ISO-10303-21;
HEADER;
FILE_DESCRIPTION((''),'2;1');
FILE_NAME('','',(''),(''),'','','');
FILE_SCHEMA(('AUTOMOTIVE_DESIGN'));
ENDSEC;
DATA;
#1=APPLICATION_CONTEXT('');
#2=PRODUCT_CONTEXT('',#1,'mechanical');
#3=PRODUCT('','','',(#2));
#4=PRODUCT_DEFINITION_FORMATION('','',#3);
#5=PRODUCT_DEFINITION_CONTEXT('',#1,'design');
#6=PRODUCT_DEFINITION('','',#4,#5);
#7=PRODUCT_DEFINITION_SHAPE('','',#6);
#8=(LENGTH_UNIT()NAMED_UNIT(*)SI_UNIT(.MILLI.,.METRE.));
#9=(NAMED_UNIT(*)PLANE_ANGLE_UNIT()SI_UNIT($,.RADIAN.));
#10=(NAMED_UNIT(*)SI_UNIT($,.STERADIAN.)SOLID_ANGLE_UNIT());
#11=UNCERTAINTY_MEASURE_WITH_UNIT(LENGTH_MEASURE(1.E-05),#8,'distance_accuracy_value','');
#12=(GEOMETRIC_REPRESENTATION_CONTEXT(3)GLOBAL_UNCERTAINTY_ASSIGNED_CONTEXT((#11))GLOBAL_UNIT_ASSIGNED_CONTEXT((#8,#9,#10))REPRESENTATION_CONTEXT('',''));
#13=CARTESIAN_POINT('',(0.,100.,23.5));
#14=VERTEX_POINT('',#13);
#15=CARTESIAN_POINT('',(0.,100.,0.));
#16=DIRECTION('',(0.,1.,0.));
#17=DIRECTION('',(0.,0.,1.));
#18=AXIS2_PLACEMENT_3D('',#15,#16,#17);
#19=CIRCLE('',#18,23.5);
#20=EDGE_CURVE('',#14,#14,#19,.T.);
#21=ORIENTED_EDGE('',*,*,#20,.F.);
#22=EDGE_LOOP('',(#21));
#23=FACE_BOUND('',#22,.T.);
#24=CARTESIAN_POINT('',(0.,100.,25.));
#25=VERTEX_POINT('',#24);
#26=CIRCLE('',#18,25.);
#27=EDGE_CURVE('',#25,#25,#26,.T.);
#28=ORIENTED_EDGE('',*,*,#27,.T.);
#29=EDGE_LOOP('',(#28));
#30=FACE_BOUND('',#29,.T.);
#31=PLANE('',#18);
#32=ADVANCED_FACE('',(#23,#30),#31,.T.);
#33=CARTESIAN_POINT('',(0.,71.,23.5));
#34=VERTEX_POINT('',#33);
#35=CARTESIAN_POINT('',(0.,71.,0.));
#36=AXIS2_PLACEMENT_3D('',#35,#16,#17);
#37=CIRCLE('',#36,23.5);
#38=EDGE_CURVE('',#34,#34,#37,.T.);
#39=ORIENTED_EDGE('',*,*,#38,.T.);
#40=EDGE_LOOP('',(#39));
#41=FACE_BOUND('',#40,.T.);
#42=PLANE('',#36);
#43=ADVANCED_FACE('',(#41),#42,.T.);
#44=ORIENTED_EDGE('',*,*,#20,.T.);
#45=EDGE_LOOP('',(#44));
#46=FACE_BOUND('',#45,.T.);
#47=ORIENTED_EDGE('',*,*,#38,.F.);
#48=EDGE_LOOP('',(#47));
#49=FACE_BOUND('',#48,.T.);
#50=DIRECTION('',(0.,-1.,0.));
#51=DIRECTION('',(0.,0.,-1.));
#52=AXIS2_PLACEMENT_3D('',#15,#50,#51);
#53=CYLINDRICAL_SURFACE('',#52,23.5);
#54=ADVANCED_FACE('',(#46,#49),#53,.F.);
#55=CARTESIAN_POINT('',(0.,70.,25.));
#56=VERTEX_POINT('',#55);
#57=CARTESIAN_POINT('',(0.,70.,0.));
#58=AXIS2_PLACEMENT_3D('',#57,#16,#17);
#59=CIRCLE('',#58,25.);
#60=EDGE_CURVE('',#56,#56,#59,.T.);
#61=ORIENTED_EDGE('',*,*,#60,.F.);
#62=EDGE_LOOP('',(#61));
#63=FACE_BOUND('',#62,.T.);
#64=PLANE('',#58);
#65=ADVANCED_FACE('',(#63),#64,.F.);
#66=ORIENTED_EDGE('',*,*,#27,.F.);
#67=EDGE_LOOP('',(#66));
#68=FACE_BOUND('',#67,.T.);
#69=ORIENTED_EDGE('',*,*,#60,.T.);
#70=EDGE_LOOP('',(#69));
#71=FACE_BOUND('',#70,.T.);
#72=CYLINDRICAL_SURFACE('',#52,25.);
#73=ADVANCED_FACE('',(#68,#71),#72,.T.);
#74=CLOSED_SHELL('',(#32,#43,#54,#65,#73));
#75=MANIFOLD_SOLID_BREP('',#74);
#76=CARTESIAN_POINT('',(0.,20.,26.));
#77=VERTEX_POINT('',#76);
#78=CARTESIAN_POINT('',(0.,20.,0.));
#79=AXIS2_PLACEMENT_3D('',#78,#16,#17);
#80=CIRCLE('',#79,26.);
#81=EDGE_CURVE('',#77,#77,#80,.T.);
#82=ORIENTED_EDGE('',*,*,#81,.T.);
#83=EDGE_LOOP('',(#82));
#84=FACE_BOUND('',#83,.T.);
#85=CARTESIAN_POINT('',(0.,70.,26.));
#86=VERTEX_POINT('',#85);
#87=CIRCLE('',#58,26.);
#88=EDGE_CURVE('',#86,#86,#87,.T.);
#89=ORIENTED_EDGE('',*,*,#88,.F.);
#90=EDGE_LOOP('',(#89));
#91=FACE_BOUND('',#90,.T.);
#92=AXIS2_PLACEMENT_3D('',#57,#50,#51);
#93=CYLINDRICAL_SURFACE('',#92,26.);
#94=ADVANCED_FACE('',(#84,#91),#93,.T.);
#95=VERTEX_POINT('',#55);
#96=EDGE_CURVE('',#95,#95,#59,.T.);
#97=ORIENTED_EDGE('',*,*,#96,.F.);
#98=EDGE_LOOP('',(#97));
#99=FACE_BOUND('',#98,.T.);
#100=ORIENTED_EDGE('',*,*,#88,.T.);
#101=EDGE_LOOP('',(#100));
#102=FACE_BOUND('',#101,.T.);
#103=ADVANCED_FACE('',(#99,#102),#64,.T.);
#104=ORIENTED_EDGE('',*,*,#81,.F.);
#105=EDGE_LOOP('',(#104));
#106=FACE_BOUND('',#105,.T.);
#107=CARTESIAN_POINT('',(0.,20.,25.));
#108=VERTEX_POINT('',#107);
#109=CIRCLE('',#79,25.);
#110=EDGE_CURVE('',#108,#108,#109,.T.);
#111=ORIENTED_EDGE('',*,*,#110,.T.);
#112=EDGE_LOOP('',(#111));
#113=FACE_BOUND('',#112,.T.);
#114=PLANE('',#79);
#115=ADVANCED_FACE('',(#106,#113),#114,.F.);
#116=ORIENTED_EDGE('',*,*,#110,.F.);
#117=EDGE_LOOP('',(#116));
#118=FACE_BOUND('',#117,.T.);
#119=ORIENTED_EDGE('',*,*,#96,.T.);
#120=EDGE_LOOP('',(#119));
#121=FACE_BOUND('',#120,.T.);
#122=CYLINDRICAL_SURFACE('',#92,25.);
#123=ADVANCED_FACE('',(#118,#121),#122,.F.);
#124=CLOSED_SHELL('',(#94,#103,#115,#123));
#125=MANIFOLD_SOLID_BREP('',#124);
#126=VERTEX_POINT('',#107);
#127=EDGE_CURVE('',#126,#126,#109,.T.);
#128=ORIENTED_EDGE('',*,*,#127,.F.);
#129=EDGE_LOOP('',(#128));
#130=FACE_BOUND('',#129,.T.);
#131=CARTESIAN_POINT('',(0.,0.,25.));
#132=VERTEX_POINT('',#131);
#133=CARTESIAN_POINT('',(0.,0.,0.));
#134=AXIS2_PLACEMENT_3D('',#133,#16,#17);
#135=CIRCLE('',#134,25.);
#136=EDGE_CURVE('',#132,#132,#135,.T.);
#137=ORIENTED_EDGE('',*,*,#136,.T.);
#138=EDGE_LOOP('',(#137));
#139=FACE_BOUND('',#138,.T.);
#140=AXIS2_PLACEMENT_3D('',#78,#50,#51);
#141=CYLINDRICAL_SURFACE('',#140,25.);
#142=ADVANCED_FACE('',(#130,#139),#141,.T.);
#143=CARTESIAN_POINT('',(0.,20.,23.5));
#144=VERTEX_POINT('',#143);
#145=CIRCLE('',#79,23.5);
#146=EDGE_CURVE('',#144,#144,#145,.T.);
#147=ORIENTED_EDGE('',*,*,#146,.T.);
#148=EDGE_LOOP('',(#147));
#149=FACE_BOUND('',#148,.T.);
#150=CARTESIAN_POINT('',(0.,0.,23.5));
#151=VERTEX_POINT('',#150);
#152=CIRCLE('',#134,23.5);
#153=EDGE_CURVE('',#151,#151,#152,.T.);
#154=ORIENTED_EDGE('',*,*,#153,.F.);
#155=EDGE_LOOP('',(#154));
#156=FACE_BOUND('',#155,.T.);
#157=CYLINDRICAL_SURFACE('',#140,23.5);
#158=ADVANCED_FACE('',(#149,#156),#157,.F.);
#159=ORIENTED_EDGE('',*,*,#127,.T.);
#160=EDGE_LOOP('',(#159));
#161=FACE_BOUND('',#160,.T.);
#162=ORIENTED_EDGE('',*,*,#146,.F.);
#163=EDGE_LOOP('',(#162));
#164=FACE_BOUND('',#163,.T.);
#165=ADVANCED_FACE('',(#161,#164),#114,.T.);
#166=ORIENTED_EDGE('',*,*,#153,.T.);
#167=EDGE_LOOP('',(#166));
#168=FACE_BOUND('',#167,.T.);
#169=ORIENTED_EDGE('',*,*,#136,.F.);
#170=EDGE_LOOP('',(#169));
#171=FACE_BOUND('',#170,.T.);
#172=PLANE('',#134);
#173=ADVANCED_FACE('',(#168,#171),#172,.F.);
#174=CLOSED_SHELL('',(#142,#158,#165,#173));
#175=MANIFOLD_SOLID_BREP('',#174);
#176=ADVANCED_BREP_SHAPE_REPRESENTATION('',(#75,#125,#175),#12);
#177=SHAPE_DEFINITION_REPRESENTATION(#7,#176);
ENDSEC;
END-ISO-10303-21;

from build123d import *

# Parameters (mm, degrees)
ESBO_O1_R                = 25
ESBO_O1_R_2              = 23.5
RESSALTO_EXTRUS_O1_DEPTH = 20
ESBO_O2_R                = 26
ESBO_O2_R_2              = 25
RESSALTO_EXTRUS_O2_DEPTH = 50
ESBO_O3_R                = 25
ESBO_O3_R_2              = 23.5
RESSALTO_EXTRUS_O3_DEPTH = 30
ESBO_O18_R               = 24
RESSALTO_EXTRUS_O4_DEPTH = 1


with BuildPart() as part:
    # Esboço1 → Ressalto-extrusão1 (new body)
    with BuildSketch(Plane(origin=(0, 0, 0), x_dir=(1, 0, 0), z_dir=(0, 1, 0))):
        with Locations(Location((0, 0, 0), (0, 0, 270))):
            Circle(ESBO_O1_R)
        with Locations(Location((0, 0, 0), (0, 0, 270))):
            Circle(ESBO_O1_R_2, mode=Mode.SUBTRACT)
    extrude(amount=RESSALTO_EXTRUS_O1_DEPTH)


with BuildPart() as body_2:
    # Esboço2 → Ressalto-extrusão2 (new body)
    with BuildSketch(Plane(origin=(0, 20, 0), x_dir=(1, 0, 0), z_dir=(0, 1, 0))):
        with Locations(Location((0, 0, 0), (0, 0, 270))):
            Circle(ESBO_O2_R)
        with Locations(Location((0, 0, 0), (0, 0, 270))):
            Circle(ESBO_O2_R_2, mode=Mode.SUBTRACT)
    extrude(amount=RESSALTO_EXTRUS_O2_DEPTH)


with BuildPart() as body_3:
    # Esboço3 → Ressalto-extrusão3 (new body)
    with BuildSketch(Plane(origin=(0, 70, 0), x_dir=(1, 0, 0), z_dir=(0, 1, 0))):
        with Locations(Location((0, 0, 0), (0, 0, 270))):
            Circle(ESBO_O3_R)
        with Locations(Location((0, 0, 0), (0, 0, 270))):
            Circle(ESBO_O3_R_2, mode=Mode.SUBTRACT)
    extrude(amount=RESSALTO_EXTRUS_O3_DEPTH)

    # Esboço18 → Ressalto-extrusão4 (add)
    with BuildSketch(Plane(origin=(0, 70, 0), x_dir=(1, 0, 0), z_dir=(0, 1, 0))):
        Circle(ESBO_O18_R)
    extrude(amount=RESSALTO_EXTRUS_O4_DEPTH)


solid = Compound([part.part, body_2.part, body_3.part])
